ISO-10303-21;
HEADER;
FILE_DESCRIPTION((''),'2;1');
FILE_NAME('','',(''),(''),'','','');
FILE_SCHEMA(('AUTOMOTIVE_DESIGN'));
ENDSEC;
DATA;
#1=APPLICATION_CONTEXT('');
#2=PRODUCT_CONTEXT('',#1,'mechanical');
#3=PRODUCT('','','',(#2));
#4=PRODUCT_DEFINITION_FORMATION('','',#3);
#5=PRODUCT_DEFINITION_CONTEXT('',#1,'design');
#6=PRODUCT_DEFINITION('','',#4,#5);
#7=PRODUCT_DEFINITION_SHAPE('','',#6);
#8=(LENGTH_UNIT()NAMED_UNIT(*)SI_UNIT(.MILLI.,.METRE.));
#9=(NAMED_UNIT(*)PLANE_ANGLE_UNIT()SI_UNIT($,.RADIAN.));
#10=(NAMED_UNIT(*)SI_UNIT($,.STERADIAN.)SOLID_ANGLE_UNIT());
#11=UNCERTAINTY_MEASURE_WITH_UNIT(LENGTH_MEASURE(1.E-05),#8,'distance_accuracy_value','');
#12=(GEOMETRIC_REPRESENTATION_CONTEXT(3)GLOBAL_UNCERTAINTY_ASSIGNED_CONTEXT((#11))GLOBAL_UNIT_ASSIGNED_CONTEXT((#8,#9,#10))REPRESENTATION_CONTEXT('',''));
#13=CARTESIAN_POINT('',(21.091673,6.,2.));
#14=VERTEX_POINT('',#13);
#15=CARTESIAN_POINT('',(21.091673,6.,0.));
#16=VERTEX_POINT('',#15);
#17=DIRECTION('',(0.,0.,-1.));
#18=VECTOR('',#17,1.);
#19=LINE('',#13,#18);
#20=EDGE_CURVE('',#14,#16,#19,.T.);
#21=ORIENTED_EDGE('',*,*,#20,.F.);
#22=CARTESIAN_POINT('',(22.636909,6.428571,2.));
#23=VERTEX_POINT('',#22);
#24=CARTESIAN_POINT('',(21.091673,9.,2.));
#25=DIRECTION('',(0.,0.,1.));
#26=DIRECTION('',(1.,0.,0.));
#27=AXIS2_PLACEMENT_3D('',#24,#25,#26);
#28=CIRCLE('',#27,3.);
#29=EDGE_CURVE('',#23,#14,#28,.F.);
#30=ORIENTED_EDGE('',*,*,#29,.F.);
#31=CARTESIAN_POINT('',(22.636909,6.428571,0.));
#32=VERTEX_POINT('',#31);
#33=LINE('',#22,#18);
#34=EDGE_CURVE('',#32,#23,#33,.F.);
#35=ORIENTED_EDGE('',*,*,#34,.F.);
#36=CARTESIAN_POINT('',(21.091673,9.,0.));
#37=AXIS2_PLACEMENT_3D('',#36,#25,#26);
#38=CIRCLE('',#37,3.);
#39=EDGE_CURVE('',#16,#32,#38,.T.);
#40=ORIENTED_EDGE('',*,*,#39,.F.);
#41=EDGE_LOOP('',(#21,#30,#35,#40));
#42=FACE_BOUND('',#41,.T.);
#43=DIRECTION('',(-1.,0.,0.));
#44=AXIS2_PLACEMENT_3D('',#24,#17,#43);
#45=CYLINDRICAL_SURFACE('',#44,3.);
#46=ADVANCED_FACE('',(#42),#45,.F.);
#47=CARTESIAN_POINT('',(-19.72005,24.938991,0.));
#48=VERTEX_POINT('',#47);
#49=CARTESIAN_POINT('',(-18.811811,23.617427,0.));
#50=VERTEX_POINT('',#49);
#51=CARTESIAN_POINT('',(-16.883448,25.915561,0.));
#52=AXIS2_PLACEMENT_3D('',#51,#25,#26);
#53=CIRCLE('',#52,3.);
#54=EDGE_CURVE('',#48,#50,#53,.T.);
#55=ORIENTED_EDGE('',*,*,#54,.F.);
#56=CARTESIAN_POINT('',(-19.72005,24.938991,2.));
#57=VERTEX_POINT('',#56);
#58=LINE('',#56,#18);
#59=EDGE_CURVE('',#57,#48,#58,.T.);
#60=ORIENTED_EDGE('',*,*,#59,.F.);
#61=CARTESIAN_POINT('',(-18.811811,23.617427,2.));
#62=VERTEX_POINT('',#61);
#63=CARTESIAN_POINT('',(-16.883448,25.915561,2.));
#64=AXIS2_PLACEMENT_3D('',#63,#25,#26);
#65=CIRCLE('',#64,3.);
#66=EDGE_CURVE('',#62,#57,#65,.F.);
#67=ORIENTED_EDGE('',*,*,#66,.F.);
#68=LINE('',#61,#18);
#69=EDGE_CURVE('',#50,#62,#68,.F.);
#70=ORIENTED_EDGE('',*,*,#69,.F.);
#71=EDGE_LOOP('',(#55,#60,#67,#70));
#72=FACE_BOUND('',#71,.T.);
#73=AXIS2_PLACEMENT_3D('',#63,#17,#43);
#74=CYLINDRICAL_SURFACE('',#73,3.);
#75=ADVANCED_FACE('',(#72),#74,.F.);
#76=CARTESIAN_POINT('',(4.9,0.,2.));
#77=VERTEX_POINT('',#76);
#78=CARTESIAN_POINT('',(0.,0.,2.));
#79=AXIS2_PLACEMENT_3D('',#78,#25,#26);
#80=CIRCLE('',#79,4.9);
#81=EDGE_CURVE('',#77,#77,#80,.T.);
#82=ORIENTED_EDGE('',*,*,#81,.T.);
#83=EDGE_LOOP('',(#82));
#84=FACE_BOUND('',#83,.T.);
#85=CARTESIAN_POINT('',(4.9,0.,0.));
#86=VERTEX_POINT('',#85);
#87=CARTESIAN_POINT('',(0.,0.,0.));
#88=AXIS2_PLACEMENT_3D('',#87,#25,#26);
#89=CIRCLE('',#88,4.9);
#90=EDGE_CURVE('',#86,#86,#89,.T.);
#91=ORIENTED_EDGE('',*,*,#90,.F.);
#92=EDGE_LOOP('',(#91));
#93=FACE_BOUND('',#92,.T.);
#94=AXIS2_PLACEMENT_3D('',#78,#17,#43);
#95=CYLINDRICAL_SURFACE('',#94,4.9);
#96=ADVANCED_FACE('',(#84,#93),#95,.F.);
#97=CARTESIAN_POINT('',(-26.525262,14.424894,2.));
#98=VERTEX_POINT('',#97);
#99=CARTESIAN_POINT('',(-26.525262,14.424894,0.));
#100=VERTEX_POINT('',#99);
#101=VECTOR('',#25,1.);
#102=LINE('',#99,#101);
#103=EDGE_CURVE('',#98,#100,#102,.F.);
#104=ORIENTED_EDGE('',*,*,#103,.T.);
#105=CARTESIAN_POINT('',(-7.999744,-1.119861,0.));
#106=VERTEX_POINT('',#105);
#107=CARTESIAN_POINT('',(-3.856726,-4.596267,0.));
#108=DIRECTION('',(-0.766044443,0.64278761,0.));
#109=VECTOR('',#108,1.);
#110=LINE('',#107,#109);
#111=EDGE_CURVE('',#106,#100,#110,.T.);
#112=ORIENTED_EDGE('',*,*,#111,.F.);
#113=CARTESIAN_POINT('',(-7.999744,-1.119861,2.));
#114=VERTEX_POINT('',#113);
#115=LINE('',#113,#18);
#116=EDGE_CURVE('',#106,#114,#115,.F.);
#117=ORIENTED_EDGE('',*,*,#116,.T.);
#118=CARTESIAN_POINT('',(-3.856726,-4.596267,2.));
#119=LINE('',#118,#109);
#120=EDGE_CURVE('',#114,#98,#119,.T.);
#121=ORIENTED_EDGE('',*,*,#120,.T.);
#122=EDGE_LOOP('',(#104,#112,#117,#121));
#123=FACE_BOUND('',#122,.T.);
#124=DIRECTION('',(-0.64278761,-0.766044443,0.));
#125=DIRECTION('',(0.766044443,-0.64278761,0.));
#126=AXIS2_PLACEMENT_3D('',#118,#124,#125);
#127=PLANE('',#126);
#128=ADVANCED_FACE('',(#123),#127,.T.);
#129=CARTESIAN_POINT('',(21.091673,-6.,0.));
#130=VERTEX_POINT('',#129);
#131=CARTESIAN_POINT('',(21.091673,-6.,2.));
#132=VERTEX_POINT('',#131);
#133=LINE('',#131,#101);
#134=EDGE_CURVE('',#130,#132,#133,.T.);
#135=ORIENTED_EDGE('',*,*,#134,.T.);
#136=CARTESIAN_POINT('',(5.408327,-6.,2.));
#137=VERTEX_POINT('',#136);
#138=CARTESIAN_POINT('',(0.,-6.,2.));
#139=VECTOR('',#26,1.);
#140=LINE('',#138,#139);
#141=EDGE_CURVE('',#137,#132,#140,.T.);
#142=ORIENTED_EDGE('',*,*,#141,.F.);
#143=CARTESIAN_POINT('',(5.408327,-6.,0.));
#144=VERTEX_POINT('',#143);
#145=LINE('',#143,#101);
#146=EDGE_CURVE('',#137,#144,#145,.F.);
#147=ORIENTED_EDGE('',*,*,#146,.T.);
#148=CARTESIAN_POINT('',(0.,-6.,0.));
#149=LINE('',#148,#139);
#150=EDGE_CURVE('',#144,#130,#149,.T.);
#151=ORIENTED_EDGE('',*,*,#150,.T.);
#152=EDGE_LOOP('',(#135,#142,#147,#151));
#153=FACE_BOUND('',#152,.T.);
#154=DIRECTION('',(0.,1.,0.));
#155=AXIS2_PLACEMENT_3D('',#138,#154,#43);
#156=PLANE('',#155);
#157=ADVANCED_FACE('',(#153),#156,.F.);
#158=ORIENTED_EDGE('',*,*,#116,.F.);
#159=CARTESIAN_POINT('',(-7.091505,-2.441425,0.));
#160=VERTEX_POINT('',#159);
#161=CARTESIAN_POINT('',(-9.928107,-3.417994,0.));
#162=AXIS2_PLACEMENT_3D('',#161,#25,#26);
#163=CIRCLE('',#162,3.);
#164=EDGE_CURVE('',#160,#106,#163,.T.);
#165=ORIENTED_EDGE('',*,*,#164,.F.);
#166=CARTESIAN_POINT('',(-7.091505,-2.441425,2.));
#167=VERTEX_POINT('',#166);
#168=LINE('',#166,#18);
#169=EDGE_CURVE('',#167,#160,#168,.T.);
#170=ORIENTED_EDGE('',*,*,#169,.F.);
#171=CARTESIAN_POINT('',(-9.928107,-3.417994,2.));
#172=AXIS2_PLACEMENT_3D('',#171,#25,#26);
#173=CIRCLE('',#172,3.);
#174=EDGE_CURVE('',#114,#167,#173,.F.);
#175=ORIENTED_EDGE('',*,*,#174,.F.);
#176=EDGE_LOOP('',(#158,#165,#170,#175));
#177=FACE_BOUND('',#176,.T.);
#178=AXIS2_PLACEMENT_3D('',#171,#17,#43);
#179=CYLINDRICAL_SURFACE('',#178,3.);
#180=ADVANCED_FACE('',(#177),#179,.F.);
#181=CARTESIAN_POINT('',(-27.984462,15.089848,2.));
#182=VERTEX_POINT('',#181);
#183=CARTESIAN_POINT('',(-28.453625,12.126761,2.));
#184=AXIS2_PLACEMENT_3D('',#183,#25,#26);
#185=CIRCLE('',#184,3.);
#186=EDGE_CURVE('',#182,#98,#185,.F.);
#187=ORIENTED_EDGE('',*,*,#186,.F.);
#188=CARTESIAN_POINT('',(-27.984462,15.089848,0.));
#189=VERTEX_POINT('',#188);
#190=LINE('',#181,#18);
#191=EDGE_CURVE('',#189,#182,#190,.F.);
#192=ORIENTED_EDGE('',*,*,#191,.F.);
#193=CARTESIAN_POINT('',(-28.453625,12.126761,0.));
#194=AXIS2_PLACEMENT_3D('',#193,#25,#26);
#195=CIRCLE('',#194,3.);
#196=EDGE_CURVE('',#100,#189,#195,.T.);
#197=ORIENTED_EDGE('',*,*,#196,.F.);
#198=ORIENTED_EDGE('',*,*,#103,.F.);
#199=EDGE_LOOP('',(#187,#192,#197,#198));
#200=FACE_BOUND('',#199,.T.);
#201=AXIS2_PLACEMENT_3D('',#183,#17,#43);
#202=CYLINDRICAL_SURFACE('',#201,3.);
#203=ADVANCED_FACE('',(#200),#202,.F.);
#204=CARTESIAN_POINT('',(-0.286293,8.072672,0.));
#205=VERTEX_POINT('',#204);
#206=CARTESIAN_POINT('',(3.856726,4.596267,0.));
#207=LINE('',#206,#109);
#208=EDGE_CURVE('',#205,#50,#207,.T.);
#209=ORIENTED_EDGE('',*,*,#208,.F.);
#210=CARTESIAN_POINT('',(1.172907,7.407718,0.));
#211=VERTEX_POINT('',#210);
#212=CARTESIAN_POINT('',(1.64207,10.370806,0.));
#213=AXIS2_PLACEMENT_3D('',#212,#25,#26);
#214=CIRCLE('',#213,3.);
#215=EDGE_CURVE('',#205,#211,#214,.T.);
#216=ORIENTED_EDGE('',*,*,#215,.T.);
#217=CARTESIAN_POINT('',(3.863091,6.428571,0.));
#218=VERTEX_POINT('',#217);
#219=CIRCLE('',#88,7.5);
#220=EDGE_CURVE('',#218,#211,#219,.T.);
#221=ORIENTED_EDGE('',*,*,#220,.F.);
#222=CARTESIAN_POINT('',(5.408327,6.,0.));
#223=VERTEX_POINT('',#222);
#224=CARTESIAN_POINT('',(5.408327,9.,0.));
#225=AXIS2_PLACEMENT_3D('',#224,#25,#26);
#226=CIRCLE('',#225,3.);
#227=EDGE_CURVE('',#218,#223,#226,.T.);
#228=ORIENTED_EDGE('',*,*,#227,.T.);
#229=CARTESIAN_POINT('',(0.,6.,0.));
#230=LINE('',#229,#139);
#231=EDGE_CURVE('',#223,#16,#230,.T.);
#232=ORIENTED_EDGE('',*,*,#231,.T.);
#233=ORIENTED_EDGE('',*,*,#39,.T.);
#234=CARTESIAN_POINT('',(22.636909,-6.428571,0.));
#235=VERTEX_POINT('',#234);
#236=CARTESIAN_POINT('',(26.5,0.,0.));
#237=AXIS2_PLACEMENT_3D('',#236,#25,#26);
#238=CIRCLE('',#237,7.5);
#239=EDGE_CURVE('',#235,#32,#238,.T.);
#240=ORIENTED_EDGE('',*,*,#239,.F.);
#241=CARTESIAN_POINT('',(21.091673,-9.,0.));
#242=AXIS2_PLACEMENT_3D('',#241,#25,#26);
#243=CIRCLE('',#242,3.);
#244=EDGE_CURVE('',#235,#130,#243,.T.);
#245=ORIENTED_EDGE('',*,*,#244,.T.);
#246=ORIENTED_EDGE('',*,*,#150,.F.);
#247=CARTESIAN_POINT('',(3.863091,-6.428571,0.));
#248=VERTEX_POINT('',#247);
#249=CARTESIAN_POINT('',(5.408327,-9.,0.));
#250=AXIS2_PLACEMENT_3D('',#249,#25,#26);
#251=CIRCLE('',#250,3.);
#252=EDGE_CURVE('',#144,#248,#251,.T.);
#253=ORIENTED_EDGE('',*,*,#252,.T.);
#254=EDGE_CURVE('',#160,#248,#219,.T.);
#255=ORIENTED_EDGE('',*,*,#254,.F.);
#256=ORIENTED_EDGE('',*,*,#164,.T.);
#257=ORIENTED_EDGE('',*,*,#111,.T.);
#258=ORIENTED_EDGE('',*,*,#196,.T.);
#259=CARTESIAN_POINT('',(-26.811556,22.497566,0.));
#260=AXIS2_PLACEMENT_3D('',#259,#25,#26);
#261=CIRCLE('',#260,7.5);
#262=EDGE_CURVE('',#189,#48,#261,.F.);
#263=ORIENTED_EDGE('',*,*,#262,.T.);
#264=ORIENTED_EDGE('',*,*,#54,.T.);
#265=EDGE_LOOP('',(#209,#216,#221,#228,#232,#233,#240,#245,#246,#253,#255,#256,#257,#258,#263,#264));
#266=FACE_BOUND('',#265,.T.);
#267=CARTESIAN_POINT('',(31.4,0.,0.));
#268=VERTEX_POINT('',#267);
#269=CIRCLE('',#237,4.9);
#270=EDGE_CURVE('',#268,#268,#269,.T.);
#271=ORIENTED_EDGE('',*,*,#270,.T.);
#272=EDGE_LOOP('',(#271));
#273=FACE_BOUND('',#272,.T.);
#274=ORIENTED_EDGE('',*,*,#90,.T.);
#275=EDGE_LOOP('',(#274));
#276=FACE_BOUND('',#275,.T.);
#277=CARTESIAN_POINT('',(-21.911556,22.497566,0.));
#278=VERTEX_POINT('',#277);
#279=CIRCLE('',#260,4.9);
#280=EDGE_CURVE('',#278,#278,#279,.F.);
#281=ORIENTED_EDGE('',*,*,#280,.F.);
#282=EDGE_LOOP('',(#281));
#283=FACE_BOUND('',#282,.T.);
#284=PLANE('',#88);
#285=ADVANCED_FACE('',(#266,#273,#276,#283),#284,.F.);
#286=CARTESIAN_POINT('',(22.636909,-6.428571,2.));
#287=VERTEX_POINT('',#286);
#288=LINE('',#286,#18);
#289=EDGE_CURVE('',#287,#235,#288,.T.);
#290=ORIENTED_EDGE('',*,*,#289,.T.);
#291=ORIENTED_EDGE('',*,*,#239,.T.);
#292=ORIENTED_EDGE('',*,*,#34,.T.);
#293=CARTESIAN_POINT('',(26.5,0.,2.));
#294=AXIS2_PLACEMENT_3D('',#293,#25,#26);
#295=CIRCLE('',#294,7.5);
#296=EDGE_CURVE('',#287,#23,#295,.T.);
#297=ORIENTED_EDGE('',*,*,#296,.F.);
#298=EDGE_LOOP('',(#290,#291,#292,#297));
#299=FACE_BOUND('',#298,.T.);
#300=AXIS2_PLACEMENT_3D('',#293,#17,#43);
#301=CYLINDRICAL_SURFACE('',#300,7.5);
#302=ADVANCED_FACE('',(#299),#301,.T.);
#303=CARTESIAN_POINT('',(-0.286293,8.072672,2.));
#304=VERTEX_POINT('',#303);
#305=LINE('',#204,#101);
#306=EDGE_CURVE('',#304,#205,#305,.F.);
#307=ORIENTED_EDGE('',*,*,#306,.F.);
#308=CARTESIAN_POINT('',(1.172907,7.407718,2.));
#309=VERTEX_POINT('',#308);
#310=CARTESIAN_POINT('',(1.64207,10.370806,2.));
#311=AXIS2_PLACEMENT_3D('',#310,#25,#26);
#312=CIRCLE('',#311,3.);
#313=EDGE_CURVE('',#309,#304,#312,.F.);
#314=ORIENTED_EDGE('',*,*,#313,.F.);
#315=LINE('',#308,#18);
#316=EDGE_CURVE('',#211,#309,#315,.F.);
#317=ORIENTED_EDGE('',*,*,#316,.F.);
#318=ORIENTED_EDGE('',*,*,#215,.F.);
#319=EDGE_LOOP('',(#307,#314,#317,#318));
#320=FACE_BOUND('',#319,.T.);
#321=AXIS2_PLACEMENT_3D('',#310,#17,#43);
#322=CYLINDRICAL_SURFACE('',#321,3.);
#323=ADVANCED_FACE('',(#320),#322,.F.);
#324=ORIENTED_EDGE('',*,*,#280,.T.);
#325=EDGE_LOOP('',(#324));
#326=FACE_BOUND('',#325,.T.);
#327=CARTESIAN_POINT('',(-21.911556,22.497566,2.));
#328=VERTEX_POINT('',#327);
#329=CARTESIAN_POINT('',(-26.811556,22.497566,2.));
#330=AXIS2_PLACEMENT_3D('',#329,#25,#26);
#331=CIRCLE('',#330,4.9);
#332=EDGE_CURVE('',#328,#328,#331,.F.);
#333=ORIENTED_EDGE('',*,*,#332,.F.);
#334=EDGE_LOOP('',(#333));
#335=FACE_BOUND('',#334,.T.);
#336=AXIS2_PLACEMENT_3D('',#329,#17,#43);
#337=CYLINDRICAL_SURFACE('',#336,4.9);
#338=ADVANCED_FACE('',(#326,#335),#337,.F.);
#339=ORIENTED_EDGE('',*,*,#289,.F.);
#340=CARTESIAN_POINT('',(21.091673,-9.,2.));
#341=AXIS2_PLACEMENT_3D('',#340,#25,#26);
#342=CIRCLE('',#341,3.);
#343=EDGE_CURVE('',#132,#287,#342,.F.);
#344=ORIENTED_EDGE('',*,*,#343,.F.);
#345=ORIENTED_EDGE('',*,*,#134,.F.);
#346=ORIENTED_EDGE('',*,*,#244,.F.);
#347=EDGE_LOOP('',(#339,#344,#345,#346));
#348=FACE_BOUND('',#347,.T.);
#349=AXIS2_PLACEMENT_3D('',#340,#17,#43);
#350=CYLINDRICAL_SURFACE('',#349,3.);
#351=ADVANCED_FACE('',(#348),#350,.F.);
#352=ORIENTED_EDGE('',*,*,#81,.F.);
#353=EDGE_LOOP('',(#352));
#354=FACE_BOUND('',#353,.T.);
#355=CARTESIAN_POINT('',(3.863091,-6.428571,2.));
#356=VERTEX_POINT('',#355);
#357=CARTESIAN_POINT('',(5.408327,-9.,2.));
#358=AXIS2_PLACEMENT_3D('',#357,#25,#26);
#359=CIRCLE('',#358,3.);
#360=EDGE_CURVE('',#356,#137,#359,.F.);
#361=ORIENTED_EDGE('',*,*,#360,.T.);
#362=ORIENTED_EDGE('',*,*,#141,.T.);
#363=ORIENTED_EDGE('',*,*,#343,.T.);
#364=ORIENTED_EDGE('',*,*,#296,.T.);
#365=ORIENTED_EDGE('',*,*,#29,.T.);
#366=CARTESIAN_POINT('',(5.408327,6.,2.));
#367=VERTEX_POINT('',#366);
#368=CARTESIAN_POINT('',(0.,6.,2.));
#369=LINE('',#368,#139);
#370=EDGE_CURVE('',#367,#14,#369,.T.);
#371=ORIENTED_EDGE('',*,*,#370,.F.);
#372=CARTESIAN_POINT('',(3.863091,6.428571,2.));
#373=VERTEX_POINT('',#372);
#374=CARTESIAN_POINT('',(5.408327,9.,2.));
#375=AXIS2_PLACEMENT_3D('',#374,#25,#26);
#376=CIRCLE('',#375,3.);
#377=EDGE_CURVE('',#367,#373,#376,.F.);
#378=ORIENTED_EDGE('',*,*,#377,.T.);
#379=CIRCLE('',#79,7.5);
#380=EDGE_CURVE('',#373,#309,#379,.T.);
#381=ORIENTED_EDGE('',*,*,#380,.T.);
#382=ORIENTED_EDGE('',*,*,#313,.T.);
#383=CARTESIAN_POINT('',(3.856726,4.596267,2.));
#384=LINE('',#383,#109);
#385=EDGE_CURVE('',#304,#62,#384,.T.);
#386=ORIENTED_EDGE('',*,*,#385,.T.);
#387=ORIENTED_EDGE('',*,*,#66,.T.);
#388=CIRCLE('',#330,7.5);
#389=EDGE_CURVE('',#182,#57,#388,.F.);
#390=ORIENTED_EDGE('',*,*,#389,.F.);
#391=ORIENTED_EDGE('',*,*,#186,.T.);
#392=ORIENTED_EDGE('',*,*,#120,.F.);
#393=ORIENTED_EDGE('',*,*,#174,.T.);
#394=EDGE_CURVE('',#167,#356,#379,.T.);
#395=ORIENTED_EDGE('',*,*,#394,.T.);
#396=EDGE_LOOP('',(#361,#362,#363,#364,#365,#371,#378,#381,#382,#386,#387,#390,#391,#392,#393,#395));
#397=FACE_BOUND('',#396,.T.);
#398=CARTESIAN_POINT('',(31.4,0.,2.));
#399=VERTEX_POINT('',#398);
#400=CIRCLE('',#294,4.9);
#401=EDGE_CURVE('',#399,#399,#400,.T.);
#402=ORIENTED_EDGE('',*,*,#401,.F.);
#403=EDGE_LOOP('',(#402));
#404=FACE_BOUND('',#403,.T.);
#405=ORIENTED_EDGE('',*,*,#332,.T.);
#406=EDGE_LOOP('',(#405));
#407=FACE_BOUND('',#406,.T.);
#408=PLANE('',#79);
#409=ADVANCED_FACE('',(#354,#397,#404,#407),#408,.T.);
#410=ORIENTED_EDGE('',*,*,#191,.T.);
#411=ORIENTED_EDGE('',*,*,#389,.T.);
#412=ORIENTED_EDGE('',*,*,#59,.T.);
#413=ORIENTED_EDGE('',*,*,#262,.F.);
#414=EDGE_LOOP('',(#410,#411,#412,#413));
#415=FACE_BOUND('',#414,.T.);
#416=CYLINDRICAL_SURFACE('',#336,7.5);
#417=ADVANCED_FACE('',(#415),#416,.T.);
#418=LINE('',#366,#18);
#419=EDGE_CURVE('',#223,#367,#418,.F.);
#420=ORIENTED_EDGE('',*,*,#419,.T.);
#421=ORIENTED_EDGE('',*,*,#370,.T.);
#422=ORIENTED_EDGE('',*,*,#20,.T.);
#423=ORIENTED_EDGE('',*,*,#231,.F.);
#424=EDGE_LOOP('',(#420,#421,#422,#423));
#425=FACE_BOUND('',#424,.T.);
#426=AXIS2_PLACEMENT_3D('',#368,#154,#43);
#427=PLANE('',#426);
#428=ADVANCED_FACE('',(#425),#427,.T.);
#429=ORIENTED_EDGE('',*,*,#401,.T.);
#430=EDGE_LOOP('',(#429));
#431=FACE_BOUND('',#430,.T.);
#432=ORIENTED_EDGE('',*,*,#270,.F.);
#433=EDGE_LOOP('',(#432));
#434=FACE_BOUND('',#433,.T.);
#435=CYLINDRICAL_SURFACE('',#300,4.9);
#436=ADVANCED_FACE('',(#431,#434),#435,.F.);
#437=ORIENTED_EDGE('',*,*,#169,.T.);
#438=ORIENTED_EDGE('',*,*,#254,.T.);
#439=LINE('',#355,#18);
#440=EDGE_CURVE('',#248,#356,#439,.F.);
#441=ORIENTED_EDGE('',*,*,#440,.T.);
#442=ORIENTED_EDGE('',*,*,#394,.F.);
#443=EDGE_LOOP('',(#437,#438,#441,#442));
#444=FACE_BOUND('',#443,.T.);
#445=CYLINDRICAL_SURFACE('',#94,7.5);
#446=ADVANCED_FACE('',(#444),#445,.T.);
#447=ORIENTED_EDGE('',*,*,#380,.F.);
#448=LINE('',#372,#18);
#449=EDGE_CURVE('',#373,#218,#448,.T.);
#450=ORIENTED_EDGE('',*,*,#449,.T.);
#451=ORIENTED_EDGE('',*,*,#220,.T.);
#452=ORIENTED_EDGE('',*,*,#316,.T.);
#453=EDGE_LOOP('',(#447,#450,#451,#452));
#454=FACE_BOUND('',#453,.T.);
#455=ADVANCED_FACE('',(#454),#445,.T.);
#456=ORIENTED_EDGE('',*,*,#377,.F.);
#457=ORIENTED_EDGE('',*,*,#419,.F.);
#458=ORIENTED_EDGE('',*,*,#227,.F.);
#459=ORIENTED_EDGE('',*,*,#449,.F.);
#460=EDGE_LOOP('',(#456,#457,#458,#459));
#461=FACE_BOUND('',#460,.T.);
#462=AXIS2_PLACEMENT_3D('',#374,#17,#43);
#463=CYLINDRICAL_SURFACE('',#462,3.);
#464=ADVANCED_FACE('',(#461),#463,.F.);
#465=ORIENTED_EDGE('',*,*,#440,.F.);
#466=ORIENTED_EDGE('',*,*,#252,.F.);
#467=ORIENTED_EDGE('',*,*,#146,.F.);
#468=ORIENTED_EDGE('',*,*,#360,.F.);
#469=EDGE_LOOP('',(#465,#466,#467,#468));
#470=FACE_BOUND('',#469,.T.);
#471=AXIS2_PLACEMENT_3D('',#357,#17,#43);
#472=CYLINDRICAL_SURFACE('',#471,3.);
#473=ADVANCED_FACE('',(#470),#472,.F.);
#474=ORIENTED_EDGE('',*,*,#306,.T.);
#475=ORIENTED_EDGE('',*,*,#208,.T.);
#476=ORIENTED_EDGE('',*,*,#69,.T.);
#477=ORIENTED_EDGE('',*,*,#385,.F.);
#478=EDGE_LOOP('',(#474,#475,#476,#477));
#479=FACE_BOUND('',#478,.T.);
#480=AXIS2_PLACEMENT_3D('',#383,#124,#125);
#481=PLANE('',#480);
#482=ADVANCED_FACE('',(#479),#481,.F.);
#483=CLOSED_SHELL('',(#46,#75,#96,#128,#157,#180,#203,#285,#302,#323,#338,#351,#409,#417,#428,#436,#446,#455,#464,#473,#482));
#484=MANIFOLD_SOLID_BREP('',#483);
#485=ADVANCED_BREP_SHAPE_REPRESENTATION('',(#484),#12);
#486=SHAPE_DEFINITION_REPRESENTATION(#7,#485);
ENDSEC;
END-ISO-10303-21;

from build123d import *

# Parameters (mm, degrees)
SKETCH1_R           = 4.9
BOSS_EXTRUDE1_DEPTH = 2
FILLET1_R           = 3


with BuildPart() as part:
    # Sketch1 → Boss-Extrude1 (new body)
    with BuildSketch(Plane.XY):
        with BuildLine():
            Line((4.5, -6), (22, -6))
            ThreePointArc((22, -6), (34, 0), (22, 6))
            Line((22, 6), (4.5, 6))
            ThreePointArc((4.5, 6), (2.565151075, 7.047694656), (0.409525664, 7.488810902))
            Line((0.409525664, 7.488810902), (-19.507629857, 24.201288754))
            ThreePointArc((-19.507629857, 24.201288754), (-32.556888833, 27.318473412), (-27.221081173, 15.008755437))
            Line((-27.221081173, 15.008755437), (-7.303925652, -1.703722415))
            ThreePointArc((-7.303925652, -1.703722415), (-2.565151075, -7.047694656), (4.5, -6))
        make_face()
        Circle(SKETCH1_R, mode=Mode.SUBTRACT)
        with Locations((26.5, 0)):
            Circle(SKETCH1_R, mode=Mode.SUBTRACT)
        with Locations((-26.811555509, 22.497566339)):
            Circle(SKETCH1_R, mode=Mode.SUBTRACT)
    extrude(amount=BOSS_EXTRUDE1_DEPTH)

    # Fillet1
    fillet1_edges = [part.edges().sort_by_distance(p)[0] for p in [
        (-19.507629857, 24.201288754, 1),
        (0.409525664, 7.488810902, 1),
        (4.5, 6, 1),
        (22, 6, 1),
        (22, -6, 1),
        (4.5, -6, 1),
        (-7.303925652, -1.703722415, 1),
        (-27.221081173, 15.008755437, 1),
    ]]
    fillet(fillet1_edges, radius=FILLET1_R)


solid = part.part
